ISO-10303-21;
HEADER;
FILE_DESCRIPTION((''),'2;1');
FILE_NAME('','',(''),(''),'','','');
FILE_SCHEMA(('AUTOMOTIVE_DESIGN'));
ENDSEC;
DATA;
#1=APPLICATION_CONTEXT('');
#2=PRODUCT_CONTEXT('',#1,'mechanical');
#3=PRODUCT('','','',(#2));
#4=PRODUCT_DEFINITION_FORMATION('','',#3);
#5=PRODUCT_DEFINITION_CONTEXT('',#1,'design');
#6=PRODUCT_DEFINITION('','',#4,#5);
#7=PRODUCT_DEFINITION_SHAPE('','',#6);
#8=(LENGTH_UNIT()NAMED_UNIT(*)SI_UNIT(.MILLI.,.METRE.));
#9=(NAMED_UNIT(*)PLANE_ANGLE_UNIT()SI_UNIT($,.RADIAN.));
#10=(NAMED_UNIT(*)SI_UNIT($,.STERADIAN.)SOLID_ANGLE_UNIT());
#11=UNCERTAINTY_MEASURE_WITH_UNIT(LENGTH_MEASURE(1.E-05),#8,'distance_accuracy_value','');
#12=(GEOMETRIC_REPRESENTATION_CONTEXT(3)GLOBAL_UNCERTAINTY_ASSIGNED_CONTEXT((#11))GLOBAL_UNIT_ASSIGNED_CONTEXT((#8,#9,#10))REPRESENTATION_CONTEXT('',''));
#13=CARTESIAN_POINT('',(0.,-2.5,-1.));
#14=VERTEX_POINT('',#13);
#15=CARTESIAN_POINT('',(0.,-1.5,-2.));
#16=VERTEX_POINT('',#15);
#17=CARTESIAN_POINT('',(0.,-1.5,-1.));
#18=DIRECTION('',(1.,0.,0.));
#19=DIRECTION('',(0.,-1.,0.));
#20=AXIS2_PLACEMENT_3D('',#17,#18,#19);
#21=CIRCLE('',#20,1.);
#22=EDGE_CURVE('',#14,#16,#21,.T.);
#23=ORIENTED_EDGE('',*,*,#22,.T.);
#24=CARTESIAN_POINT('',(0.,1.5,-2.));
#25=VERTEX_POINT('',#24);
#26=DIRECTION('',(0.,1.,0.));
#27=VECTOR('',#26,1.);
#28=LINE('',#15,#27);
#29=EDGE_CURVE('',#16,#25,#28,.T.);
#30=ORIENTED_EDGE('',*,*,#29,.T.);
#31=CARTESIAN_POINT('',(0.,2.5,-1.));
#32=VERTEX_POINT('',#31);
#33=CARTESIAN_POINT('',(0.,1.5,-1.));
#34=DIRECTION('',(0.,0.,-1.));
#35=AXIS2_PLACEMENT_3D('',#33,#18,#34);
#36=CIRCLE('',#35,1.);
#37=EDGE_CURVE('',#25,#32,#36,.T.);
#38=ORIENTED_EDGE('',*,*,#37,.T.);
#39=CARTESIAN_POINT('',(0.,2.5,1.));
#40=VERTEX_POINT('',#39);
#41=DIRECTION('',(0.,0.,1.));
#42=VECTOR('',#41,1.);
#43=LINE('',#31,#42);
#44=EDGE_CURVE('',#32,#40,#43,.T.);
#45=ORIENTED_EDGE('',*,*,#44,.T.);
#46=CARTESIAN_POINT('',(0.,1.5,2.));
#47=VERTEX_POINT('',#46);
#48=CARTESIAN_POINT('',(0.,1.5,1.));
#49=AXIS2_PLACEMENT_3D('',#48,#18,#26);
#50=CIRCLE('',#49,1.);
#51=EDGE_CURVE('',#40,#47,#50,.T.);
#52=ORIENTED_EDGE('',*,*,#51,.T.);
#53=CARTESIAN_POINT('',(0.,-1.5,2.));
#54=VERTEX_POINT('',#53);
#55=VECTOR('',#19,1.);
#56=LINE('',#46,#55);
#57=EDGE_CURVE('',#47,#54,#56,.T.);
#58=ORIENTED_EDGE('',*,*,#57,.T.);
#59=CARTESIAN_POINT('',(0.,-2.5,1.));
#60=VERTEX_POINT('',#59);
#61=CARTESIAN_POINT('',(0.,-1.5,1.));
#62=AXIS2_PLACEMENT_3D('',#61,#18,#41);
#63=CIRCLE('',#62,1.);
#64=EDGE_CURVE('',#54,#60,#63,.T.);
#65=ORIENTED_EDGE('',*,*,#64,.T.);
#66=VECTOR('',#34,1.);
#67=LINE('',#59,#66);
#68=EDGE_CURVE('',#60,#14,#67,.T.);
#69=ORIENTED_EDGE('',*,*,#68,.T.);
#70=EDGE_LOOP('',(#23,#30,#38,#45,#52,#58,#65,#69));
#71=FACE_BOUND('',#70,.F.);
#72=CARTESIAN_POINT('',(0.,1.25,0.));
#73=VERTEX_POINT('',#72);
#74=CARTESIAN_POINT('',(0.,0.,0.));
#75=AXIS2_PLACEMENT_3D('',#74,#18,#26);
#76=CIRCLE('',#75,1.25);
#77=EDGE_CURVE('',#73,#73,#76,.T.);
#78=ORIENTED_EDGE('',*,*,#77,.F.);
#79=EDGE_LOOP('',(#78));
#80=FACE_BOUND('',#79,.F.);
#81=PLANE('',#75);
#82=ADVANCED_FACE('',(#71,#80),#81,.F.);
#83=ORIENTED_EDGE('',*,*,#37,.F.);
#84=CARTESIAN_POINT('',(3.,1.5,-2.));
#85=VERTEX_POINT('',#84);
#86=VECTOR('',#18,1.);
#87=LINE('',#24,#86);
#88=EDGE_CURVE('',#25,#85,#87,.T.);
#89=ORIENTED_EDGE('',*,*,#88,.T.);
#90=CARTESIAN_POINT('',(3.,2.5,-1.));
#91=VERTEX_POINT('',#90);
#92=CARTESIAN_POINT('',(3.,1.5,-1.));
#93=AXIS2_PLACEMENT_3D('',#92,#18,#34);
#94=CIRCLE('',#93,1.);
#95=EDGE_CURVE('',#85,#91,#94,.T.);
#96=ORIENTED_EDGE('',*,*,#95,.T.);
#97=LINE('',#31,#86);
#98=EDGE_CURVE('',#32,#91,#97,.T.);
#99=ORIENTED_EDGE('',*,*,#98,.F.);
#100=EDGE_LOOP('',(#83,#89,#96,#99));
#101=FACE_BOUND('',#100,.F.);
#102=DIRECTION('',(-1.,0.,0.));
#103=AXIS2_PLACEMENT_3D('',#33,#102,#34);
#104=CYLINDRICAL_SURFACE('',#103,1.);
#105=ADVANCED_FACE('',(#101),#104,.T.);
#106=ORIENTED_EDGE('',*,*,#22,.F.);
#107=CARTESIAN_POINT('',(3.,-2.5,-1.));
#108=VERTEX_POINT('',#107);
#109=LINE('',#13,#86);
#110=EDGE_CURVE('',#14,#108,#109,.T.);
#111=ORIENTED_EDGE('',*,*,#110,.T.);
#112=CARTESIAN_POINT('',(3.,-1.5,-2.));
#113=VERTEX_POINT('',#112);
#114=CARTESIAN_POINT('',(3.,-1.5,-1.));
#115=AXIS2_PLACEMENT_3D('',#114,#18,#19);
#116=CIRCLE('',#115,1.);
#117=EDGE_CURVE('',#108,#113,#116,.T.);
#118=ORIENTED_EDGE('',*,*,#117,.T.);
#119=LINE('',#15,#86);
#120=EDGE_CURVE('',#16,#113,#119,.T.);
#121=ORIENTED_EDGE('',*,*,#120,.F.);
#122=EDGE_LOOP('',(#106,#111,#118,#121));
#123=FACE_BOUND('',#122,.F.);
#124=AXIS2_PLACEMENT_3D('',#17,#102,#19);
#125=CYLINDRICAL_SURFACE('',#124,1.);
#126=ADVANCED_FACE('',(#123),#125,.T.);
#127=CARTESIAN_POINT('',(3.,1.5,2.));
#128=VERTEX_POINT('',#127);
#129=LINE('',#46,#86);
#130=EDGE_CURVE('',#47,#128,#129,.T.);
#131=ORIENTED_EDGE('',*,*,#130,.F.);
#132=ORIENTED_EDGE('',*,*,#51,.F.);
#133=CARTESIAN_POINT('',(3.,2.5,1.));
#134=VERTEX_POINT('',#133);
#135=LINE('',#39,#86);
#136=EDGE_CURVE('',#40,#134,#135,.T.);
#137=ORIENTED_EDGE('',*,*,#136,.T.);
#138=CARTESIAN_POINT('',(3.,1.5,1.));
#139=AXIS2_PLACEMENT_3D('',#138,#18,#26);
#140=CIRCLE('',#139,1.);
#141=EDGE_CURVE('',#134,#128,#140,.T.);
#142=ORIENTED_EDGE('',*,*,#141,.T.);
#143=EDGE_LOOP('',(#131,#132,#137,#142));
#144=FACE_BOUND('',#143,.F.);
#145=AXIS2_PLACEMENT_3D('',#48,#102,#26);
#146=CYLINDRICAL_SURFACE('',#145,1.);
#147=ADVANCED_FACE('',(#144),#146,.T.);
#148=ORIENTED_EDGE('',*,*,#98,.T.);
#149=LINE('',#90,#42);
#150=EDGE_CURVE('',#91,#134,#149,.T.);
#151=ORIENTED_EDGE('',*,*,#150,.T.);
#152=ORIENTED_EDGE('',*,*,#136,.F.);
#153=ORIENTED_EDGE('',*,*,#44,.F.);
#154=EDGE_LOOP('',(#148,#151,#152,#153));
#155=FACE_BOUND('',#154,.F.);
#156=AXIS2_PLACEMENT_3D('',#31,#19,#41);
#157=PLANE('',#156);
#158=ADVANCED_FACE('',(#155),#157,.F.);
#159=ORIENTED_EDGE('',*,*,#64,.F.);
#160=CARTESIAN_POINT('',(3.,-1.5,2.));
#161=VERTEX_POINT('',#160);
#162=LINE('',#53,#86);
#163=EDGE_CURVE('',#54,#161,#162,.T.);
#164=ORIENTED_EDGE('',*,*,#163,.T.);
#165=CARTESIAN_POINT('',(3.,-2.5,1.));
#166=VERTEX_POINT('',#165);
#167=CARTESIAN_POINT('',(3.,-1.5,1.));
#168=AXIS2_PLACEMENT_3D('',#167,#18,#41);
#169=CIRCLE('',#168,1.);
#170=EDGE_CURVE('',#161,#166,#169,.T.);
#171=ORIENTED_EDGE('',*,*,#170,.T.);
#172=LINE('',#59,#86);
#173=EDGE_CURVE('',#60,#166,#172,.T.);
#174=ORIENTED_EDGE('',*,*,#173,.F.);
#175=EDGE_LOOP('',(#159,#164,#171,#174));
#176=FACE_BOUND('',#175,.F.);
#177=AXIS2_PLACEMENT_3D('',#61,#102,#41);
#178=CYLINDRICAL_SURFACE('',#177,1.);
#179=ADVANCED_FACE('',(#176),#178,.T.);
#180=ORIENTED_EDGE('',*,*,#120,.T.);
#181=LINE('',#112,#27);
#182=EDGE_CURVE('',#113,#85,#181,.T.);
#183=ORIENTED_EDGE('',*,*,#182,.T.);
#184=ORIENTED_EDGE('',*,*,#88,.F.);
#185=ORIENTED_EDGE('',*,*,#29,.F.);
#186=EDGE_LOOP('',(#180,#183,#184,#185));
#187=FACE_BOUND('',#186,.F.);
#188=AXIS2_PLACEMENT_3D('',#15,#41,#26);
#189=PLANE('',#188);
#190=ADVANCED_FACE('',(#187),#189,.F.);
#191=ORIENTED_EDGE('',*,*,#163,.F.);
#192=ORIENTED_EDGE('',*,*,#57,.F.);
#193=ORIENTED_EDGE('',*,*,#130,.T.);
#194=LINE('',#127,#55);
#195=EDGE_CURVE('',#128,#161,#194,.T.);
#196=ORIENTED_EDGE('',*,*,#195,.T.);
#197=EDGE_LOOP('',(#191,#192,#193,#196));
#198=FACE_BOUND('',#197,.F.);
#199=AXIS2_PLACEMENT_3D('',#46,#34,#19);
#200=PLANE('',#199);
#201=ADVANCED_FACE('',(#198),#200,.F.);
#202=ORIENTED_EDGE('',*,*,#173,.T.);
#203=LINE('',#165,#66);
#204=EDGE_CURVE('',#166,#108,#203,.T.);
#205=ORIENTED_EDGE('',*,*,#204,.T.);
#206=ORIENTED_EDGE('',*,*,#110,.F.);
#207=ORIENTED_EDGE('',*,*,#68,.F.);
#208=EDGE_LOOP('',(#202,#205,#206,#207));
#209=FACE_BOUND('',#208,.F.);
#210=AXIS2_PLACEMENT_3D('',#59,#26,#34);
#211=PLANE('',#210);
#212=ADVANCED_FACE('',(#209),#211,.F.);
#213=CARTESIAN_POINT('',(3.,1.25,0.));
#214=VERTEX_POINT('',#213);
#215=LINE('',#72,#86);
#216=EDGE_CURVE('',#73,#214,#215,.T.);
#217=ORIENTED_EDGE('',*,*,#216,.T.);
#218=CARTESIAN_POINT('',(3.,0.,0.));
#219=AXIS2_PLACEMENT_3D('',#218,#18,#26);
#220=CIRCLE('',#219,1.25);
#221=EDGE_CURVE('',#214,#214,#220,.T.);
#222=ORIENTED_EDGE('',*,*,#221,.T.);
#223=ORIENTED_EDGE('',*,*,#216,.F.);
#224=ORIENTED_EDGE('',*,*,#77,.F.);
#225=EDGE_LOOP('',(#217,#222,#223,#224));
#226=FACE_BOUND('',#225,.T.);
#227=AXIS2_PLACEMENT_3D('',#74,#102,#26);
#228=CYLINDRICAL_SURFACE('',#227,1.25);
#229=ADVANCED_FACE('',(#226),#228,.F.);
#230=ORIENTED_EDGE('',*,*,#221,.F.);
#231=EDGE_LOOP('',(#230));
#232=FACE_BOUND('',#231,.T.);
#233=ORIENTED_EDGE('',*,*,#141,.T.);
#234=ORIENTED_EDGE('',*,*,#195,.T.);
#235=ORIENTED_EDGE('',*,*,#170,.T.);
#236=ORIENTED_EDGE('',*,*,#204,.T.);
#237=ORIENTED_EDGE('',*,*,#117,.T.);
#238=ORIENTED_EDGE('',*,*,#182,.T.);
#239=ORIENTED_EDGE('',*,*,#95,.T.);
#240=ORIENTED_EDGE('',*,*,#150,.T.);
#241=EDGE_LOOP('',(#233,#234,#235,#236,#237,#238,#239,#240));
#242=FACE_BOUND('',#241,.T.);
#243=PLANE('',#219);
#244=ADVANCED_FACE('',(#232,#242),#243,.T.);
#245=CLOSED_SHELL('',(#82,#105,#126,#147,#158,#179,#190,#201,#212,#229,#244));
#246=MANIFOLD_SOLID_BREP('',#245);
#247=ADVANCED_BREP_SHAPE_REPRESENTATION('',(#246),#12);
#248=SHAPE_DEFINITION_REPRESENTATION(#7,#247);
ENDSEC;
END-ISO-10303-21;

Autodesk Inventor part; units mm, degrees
ref_plane "YZ Plane" through (0, 0, 0) normal (1, 0, 0) x (0, 1, 0)
ref_plane "XZ Plane" through (0, 0, 0) normal (0, 1, 0) x (-1, 0, 0)
ref_plane "XY Plane" through (0, 0, 0) normal (0, 0, 1) x (1, 0, 0)
sketch "Sketch1" plane through (0, 0, 0) normal (1, 0, 0) x (0, 1, 0)
  line L0 (1.5, 2) -> (-1.5, 2)
  line L1 (-2.5, 1) -> (-2.5, -1)
  line L2 (-1.5, -2) -> (1.5, -2)
  line L3 (2.5, -1) -> (2.5, 1)
  circle A0 centre (0, 0) radius 1.25
  arc A1 (2.5, 1) -> (1.5, 2) centre (1.5, 1) ccw
  arc A2 (1.5, -2) -> (2.5, -1) centre (1.5, -1) ccw
  arc A3 (-1.5, 2) -> (-2.5, 1) centre (-1.5, 1) ccw
  arc A4 (-2.5, -1) -> (-1.5, -2) centre (-1.5, -1) ccw
  point P0 (2.5, 2)
  point P1 (-2.5, 2)
  point P2 (2.5, -2)
  point P3 (2.5, 0)
  point P4 (0, 2)
  dimension "d0" = 4
  dimension "d1" = 5
  dimension "d2" = 2.5
  dimension "d3" = 1
extrude "Extrusion1" add sketch "Sketch1" along normal blind 3
properties part number "Podkladka"
